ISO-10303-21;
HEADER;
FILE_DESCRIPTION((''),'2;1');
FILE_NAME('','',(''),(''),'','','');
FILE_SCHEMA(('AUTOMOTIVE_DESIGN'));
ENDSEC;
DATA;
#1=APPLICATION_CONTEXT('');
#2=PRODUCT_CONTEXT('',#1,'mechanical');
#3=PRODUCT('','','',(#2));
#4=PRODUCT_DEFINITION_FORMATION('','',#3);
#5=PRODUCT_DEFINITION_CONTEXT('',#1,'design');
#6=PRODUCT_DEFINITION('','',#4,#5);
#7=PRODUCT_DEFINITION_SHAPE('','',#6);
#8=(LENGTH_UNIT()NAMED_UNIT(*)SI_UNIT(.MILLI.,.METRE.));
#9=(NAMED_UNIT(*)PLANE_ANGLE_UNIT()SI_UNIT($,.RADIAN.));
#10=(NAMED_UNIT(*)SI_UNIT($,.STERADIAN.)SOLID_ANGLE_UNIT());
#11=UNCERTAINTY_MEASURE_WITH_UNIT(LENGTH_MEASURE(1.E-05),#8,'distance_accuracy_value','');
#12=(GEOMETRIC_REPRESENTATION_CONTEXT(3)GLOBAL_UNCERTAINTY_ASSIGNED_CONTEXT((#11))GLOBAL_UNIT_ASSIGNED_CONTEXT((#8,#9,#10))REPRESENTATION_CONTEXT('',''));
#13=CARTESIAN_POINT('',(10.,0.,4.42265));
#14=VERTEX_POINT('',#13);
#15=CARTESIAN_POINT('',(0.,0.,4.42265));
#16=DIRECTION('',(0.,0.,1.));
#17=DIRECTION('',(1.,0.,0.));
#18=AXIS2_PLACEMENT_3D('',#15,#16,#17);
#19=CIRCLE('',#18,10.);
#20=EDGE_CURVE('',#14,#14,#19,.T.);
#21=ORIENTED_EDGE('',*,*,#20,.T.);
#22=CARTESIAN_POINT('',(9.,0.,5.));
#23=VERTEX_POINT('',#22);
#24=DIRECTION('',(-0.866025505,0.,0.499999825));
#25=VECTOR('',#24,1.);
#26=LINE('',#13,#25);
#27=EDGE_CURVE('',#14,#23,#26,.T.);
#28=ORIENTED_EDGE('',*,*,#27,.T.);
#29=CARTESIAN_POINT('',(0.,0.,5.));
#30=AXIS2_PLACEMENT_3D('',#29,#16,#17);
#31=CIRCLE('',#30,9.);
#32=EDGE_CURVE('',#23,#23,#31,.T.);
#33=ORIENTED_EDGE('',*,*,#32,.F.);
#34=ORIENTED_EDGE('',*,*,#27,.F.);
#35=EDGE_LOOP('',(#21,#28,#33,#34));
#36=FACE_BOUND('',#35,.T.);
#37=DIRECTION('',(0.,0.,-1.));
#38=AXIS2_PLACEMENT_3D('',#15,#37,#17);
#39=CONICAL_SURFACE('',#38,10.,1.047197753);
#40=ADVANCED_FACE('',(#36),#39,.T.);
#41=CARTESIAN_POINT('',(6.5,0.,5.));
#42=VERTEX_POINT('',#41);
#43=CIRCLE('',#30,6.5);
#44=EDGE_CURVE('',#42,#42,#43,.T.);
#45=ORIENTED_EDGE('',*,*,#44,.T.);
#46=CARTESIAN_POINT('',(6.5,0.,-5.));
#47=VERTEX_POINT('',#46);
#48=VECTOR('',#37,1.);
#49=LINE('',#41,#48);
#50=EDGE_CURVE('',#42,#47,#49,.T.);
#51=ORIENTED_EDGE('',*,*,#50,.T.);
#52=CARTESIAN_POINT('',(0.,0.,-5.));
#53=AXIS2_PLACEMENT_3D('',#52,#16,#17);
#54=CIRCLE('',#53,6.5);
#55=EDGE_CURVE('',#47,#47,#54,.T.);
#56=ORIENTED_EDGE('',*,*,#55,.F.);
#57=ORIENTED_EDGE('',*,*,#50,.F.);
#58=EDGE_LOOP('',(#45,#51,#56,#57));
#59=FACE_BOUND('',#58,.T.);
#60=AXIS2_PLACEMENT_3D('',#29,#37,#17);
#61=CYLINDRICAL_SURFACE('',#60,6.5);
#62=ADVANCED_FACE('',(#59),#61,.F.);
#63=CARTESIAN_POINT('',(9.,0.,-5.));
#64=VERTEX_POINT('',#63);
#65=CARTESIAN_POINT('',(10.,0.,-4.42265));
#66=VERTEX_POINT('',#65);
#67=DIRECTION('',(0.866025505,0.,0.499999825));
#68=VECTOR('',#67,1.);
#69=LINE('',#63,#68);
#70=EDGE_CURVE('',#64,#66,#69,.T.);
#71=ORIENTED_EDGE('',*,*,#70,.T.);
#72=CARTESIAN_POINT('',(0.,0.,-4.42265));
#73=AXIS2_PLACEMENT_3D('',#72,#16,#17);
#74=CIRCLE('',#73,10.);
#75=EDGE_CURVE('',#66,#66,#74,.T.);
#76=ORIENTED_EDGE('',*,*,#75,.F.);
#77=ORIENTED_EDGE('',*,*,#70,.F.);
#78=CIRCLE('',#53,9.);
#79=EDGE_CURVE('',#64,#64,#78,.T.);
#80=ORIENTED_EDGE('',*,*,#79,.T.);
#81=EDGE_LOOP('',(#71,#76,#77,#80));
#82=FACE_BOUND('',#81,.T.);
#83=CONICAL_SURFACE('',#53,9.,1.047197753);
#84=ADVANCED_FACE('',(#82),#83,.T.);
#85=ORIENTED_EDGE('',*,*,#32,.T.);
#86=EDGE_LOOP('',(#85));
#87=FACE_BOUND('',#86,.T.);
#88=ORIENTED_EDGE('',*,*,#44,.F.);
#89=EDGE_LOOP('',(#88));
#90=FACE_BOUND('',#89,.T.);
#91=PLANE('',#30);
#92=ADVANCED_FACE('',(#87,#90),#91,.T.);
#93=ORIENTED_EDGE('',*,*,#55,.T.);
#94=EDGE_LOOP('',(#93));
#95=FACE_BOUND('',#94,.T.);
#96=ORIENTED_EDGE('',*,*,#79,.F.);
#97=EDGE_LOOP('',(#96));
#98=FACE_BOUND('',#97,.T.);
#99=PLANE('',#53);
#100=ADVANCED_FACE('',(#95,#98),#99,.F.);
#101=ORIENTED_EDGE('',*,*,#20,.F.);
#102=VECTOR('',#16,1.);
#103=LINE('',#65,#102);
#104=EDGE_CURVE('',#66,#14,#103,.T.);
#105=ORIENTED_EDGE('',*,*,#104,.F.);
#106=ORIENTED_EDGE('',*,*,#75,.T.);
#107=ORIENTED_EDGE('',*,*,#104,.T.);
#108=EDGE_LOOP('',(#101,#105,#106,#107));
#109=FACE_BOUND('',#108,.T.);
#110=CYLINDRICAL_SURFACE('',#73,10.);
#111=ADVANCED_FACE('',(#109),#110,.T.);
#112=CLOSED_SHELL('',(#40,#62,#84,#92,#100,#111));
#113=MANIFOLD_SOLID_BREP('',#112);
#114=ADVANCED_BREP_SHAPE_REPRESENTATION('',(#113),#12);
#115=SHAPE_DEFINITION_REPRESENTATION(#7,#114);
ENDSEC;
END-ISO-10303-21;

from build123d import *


with BuildPart() as part:
    # Sketch → Revolution (revolve)
    with BuildSketch(Plane.XZ):
        Polygon((6.5, 5), (6.5, -5), (9, -5), (10, -4.42265), (10, 4.42265), (9, 5), align=None)
    revolve(axis=Axis((0, 0, 0), (0, 0, 1)))


solid = part.part
